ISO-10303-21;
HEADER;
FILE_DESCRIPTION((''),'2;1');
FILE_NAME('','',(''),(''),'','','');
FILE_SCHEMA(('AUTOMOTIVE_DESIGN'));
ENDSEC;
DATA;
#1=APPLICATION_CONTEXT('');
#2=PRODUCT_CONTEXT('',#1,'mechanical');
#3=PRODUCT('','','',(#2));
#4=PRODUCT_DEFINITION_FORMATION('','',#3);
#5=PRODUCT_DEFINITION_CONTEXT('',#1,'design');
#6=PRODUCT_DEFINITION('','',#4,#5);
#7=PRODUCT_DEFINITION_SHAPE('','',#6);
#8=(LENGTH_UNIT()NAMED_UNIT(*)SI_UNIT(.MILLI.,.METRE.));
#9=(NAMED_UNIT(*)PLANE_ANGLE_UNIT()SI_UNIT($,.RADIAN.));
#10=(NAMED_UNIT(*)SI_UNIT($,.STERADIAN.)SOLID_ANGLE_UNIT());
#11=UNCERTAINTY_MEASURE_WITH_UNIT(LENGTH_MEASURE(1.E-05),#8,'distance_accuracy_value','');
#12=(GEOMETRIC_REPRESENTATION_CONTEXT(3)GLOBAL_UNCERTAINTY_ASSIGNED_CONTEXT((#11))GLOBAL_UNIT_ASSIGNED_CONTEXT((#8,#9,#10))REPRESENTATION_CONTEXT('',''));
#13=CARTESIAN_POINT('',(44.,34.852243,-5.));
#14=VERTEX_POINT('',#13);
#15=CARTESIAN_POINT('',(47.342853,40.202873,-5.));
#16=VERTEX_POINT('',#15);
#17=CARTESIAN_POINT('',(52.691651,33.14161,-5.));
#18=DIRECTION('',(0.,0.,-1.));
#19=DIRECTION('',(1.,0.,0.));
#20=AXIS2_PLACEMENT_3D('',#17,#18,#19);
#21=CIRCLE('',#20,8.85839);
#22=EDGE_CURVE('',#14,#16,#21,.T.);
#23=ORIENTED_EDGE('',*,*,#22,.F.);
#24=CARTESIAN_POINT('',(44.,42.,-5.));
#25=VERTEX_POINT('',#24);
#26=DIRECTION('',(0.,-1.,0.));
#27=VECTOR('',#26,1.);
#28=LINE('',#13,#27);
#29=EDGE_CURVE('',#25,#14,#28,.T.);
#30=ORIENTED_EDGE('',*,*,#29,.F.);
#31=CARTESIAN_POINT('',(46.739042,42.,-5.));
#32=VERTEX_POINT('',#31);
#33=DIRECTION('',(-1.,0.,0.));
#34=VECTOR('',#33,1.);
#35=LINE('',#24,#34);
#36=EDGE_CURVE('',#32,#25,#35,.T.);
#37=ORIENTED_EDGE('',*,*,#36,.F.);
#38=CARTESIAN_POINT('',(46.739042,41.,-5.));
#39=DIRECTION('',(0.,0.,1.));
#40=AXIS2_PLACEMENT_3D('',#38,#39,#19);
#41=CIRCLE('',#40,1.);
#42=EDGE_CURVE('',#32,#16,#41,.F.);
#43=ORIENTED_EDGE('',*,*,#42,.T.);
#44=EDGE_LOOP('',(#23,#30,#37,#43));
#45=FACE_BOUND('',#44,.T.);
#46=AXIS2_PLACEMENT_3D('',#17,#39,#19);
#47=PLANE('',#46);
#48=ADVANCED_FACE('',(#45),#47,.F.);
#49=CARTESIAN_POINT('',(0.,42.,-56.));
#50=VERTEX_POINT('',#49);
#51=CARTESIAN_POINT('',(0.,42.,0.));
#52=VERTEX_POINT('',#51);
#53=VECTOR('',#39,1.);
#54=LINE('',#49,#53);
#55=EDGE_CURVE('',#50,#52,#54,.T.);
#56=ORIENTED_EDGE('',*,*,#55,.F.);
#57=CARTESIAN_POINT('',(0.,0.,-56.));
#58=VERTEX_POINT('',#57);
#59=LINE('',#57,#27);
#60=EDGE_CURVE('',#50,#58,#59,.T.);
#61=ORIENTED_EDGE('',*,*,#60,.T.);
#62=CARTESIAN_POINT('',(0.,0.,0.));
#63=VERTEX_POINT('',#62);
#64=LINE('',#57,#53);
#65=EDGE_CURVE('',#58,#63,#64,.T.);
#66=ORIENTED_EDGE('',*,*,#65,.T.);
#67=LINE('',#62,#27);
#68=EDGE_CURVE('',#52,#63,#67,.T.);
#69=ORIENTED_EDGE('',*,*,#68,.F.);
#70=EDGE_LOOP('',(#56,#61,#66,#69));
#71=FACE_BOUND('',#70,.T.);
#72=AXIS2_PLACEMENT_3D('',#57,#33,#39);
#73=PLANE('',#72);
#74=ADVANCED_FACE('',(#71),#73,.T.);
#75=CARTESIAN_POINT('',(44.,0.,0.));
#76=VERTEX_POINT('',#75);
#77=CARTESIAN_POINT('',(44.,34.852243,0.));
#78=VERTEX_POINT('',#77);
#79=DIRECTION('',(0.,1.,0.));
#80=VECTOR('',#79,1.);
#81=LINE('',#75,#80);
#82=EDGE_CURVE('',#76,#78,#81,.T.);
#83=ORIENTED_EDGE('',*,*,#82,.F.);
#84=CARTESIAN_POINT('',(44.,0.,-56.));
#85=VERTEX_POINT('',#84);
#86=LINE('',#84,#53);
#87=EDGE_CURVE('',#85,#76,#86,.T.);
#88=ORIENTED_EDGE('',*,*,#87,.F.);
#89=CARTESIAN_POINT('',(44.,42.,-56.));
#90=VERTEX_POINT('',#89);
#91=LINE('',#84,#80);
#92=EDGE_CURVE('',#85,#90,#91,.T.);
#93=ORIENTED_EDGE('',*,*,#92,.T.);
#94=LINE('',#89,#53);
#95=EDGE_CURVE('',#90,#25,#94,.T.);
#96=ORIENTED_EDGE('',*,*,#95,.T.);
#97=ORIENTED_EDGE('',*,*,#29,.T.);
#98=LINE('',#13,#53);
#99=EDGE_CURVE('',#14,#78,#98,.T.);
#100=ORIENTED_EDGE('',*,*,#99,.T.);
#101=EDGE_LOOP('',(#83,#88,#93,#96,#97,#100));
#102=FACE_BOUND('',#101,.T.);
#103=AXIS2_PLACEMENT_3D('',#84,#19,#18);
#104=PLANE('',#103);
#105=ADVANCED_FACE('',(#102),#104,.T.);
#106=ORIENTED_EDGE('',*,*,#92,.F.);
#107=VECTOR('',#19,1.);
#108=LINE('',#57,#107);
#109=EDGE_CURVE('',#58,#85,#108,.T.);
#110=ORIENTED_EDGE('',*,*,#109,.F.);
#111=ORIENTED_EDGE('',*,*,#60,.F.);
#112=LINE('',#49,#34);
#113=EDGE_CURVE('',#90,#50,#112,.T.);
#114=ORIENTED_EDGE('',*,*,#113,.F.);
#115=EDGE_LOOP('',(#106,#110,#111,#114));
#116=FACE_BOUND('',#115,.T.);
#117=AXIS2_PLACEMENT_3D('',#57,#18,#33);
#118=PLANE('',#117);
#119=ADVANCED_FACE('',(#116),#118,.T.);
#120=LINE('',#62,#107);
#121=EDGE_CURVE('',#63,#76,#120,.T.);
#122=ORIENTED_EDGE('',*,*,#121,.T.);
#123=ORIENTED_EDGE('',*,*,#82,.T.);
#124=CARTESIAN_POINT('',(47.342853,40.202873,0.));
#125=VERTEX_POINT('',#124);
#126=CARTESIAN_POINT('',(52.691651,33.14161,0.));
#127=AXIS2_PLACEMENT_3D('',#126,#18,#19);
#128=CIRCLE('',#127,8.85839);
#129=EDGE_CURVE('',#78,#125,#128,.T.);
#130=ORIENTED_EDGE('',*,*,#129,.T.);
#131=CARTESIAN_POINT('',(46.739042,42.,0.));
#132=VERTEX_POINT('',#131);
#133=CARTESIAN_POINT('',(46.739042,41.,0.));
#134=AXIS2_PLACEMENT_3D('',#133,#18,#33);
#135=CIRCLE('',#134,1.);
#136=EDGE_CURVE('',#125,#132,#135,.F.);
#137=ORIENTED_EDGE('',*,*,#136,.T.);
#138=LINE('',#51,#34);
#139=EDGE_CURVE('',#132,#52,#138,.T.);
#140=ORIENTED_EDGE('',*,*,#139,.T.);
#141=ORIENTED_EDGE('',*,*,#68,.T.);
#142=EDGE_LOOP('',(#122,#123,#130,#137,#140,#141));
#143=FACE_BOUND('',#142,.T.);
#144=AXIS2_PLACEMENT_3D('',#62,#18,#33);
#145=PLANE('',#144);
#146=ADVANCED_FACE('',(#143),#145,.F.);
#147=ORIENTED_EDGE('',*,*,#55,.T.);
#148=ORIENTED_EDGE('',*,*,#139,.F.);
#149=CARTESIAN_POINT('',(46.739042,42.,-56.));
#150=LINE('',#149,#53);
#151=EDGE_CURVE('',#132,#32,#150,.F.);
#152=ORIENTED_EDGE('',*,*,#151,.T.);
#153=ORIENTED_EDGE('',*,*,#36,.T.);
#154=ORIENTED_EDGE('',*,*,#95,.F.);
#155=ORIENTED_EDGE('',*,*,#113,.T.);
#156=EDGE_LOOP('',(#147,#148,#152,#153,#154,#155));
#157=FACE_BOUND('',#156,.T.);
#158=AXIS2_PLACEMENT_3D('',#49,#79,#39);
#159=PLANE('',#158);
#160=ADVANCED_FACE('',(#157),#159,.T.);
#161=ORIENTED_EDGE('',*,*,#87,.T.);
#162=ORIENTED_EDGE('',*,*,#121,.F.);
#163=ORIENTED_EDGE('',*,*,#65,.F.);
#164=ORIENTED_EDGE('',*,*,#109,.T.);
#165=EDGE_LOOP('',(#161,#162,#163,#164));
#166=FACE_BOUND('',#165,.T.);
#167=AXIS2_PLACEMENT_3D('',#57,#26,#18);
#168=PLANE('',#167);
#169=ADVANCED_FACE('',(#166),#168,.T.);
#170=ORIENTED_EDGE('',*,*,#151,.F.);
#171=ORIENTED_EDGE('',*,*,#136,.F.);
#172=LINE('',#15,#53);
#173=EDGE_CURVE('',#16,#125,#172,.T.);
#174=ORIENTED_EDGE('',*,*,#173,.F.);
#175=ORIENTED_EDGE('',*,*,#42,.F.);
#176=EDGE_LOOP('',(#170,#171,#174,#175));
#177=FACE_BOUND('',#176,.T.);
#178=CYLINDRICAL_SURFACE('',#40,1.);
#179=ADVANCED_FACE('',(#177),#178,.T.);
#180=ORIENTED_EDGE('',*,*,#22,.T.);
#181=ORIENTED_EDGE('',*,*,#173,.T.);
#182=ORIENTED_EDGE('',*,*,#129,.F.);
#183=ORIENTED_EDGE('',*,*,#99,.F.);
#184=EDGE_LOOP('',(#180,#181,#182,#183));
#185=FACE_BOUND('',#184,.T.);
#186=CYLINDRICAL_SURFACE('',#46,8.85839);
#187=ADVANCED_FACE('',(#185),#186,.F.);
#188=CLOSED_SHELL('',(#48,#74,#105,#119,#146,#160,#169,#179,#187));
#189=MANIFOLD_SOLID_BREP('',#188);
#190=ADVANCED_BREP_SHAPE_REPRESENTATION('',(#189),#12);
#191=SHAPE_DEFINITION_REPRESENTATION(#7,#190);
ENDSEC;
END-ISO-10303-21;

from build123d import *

# Parameters (mm, degrees)
SKETCH1_W           = 44
SKETCH1_H           = 42
BOSS_EXTRUDE1_DEPTH = 56
BOSS_EXTRUDE2_DEPTH = 5
FILLET1_R           = 1


with BuildPart() as part:
    # Sketch1 → Boss-Extrude1 (new body)
    with BuildSketch(Plane.XY):
        with Locations((22, 21)):
            Rectangle(SKETCH1_W, SKETCH1_H)
    extrude(amount=-BOSS_EXTRUDE1_DEPTH)

    # Sketch2 → Boss-Extrude2 (add)
    with BuildSketch(Plane.XY):
        with BuildLine():
            Line((44, 42), (52.691651223, 42))
            ThreePointArc((52.691651223, 42), (47.065035319, 39.983558931), (44, 34.852243348))
            Line((44, 34.852243348), (44, 42))
        make_face()
    extrude(amount=-BOSS_EXTRUDE2_DEPTH)

    # Fillet1
    fillet1_edges = [part.edges().sort_by_distance(p)[0] for p in [
        (52.691651223, 42, -2.5),
    ]]
    fillet(fillet1_edges, radius=FILLET1_R)


solid = part.part
